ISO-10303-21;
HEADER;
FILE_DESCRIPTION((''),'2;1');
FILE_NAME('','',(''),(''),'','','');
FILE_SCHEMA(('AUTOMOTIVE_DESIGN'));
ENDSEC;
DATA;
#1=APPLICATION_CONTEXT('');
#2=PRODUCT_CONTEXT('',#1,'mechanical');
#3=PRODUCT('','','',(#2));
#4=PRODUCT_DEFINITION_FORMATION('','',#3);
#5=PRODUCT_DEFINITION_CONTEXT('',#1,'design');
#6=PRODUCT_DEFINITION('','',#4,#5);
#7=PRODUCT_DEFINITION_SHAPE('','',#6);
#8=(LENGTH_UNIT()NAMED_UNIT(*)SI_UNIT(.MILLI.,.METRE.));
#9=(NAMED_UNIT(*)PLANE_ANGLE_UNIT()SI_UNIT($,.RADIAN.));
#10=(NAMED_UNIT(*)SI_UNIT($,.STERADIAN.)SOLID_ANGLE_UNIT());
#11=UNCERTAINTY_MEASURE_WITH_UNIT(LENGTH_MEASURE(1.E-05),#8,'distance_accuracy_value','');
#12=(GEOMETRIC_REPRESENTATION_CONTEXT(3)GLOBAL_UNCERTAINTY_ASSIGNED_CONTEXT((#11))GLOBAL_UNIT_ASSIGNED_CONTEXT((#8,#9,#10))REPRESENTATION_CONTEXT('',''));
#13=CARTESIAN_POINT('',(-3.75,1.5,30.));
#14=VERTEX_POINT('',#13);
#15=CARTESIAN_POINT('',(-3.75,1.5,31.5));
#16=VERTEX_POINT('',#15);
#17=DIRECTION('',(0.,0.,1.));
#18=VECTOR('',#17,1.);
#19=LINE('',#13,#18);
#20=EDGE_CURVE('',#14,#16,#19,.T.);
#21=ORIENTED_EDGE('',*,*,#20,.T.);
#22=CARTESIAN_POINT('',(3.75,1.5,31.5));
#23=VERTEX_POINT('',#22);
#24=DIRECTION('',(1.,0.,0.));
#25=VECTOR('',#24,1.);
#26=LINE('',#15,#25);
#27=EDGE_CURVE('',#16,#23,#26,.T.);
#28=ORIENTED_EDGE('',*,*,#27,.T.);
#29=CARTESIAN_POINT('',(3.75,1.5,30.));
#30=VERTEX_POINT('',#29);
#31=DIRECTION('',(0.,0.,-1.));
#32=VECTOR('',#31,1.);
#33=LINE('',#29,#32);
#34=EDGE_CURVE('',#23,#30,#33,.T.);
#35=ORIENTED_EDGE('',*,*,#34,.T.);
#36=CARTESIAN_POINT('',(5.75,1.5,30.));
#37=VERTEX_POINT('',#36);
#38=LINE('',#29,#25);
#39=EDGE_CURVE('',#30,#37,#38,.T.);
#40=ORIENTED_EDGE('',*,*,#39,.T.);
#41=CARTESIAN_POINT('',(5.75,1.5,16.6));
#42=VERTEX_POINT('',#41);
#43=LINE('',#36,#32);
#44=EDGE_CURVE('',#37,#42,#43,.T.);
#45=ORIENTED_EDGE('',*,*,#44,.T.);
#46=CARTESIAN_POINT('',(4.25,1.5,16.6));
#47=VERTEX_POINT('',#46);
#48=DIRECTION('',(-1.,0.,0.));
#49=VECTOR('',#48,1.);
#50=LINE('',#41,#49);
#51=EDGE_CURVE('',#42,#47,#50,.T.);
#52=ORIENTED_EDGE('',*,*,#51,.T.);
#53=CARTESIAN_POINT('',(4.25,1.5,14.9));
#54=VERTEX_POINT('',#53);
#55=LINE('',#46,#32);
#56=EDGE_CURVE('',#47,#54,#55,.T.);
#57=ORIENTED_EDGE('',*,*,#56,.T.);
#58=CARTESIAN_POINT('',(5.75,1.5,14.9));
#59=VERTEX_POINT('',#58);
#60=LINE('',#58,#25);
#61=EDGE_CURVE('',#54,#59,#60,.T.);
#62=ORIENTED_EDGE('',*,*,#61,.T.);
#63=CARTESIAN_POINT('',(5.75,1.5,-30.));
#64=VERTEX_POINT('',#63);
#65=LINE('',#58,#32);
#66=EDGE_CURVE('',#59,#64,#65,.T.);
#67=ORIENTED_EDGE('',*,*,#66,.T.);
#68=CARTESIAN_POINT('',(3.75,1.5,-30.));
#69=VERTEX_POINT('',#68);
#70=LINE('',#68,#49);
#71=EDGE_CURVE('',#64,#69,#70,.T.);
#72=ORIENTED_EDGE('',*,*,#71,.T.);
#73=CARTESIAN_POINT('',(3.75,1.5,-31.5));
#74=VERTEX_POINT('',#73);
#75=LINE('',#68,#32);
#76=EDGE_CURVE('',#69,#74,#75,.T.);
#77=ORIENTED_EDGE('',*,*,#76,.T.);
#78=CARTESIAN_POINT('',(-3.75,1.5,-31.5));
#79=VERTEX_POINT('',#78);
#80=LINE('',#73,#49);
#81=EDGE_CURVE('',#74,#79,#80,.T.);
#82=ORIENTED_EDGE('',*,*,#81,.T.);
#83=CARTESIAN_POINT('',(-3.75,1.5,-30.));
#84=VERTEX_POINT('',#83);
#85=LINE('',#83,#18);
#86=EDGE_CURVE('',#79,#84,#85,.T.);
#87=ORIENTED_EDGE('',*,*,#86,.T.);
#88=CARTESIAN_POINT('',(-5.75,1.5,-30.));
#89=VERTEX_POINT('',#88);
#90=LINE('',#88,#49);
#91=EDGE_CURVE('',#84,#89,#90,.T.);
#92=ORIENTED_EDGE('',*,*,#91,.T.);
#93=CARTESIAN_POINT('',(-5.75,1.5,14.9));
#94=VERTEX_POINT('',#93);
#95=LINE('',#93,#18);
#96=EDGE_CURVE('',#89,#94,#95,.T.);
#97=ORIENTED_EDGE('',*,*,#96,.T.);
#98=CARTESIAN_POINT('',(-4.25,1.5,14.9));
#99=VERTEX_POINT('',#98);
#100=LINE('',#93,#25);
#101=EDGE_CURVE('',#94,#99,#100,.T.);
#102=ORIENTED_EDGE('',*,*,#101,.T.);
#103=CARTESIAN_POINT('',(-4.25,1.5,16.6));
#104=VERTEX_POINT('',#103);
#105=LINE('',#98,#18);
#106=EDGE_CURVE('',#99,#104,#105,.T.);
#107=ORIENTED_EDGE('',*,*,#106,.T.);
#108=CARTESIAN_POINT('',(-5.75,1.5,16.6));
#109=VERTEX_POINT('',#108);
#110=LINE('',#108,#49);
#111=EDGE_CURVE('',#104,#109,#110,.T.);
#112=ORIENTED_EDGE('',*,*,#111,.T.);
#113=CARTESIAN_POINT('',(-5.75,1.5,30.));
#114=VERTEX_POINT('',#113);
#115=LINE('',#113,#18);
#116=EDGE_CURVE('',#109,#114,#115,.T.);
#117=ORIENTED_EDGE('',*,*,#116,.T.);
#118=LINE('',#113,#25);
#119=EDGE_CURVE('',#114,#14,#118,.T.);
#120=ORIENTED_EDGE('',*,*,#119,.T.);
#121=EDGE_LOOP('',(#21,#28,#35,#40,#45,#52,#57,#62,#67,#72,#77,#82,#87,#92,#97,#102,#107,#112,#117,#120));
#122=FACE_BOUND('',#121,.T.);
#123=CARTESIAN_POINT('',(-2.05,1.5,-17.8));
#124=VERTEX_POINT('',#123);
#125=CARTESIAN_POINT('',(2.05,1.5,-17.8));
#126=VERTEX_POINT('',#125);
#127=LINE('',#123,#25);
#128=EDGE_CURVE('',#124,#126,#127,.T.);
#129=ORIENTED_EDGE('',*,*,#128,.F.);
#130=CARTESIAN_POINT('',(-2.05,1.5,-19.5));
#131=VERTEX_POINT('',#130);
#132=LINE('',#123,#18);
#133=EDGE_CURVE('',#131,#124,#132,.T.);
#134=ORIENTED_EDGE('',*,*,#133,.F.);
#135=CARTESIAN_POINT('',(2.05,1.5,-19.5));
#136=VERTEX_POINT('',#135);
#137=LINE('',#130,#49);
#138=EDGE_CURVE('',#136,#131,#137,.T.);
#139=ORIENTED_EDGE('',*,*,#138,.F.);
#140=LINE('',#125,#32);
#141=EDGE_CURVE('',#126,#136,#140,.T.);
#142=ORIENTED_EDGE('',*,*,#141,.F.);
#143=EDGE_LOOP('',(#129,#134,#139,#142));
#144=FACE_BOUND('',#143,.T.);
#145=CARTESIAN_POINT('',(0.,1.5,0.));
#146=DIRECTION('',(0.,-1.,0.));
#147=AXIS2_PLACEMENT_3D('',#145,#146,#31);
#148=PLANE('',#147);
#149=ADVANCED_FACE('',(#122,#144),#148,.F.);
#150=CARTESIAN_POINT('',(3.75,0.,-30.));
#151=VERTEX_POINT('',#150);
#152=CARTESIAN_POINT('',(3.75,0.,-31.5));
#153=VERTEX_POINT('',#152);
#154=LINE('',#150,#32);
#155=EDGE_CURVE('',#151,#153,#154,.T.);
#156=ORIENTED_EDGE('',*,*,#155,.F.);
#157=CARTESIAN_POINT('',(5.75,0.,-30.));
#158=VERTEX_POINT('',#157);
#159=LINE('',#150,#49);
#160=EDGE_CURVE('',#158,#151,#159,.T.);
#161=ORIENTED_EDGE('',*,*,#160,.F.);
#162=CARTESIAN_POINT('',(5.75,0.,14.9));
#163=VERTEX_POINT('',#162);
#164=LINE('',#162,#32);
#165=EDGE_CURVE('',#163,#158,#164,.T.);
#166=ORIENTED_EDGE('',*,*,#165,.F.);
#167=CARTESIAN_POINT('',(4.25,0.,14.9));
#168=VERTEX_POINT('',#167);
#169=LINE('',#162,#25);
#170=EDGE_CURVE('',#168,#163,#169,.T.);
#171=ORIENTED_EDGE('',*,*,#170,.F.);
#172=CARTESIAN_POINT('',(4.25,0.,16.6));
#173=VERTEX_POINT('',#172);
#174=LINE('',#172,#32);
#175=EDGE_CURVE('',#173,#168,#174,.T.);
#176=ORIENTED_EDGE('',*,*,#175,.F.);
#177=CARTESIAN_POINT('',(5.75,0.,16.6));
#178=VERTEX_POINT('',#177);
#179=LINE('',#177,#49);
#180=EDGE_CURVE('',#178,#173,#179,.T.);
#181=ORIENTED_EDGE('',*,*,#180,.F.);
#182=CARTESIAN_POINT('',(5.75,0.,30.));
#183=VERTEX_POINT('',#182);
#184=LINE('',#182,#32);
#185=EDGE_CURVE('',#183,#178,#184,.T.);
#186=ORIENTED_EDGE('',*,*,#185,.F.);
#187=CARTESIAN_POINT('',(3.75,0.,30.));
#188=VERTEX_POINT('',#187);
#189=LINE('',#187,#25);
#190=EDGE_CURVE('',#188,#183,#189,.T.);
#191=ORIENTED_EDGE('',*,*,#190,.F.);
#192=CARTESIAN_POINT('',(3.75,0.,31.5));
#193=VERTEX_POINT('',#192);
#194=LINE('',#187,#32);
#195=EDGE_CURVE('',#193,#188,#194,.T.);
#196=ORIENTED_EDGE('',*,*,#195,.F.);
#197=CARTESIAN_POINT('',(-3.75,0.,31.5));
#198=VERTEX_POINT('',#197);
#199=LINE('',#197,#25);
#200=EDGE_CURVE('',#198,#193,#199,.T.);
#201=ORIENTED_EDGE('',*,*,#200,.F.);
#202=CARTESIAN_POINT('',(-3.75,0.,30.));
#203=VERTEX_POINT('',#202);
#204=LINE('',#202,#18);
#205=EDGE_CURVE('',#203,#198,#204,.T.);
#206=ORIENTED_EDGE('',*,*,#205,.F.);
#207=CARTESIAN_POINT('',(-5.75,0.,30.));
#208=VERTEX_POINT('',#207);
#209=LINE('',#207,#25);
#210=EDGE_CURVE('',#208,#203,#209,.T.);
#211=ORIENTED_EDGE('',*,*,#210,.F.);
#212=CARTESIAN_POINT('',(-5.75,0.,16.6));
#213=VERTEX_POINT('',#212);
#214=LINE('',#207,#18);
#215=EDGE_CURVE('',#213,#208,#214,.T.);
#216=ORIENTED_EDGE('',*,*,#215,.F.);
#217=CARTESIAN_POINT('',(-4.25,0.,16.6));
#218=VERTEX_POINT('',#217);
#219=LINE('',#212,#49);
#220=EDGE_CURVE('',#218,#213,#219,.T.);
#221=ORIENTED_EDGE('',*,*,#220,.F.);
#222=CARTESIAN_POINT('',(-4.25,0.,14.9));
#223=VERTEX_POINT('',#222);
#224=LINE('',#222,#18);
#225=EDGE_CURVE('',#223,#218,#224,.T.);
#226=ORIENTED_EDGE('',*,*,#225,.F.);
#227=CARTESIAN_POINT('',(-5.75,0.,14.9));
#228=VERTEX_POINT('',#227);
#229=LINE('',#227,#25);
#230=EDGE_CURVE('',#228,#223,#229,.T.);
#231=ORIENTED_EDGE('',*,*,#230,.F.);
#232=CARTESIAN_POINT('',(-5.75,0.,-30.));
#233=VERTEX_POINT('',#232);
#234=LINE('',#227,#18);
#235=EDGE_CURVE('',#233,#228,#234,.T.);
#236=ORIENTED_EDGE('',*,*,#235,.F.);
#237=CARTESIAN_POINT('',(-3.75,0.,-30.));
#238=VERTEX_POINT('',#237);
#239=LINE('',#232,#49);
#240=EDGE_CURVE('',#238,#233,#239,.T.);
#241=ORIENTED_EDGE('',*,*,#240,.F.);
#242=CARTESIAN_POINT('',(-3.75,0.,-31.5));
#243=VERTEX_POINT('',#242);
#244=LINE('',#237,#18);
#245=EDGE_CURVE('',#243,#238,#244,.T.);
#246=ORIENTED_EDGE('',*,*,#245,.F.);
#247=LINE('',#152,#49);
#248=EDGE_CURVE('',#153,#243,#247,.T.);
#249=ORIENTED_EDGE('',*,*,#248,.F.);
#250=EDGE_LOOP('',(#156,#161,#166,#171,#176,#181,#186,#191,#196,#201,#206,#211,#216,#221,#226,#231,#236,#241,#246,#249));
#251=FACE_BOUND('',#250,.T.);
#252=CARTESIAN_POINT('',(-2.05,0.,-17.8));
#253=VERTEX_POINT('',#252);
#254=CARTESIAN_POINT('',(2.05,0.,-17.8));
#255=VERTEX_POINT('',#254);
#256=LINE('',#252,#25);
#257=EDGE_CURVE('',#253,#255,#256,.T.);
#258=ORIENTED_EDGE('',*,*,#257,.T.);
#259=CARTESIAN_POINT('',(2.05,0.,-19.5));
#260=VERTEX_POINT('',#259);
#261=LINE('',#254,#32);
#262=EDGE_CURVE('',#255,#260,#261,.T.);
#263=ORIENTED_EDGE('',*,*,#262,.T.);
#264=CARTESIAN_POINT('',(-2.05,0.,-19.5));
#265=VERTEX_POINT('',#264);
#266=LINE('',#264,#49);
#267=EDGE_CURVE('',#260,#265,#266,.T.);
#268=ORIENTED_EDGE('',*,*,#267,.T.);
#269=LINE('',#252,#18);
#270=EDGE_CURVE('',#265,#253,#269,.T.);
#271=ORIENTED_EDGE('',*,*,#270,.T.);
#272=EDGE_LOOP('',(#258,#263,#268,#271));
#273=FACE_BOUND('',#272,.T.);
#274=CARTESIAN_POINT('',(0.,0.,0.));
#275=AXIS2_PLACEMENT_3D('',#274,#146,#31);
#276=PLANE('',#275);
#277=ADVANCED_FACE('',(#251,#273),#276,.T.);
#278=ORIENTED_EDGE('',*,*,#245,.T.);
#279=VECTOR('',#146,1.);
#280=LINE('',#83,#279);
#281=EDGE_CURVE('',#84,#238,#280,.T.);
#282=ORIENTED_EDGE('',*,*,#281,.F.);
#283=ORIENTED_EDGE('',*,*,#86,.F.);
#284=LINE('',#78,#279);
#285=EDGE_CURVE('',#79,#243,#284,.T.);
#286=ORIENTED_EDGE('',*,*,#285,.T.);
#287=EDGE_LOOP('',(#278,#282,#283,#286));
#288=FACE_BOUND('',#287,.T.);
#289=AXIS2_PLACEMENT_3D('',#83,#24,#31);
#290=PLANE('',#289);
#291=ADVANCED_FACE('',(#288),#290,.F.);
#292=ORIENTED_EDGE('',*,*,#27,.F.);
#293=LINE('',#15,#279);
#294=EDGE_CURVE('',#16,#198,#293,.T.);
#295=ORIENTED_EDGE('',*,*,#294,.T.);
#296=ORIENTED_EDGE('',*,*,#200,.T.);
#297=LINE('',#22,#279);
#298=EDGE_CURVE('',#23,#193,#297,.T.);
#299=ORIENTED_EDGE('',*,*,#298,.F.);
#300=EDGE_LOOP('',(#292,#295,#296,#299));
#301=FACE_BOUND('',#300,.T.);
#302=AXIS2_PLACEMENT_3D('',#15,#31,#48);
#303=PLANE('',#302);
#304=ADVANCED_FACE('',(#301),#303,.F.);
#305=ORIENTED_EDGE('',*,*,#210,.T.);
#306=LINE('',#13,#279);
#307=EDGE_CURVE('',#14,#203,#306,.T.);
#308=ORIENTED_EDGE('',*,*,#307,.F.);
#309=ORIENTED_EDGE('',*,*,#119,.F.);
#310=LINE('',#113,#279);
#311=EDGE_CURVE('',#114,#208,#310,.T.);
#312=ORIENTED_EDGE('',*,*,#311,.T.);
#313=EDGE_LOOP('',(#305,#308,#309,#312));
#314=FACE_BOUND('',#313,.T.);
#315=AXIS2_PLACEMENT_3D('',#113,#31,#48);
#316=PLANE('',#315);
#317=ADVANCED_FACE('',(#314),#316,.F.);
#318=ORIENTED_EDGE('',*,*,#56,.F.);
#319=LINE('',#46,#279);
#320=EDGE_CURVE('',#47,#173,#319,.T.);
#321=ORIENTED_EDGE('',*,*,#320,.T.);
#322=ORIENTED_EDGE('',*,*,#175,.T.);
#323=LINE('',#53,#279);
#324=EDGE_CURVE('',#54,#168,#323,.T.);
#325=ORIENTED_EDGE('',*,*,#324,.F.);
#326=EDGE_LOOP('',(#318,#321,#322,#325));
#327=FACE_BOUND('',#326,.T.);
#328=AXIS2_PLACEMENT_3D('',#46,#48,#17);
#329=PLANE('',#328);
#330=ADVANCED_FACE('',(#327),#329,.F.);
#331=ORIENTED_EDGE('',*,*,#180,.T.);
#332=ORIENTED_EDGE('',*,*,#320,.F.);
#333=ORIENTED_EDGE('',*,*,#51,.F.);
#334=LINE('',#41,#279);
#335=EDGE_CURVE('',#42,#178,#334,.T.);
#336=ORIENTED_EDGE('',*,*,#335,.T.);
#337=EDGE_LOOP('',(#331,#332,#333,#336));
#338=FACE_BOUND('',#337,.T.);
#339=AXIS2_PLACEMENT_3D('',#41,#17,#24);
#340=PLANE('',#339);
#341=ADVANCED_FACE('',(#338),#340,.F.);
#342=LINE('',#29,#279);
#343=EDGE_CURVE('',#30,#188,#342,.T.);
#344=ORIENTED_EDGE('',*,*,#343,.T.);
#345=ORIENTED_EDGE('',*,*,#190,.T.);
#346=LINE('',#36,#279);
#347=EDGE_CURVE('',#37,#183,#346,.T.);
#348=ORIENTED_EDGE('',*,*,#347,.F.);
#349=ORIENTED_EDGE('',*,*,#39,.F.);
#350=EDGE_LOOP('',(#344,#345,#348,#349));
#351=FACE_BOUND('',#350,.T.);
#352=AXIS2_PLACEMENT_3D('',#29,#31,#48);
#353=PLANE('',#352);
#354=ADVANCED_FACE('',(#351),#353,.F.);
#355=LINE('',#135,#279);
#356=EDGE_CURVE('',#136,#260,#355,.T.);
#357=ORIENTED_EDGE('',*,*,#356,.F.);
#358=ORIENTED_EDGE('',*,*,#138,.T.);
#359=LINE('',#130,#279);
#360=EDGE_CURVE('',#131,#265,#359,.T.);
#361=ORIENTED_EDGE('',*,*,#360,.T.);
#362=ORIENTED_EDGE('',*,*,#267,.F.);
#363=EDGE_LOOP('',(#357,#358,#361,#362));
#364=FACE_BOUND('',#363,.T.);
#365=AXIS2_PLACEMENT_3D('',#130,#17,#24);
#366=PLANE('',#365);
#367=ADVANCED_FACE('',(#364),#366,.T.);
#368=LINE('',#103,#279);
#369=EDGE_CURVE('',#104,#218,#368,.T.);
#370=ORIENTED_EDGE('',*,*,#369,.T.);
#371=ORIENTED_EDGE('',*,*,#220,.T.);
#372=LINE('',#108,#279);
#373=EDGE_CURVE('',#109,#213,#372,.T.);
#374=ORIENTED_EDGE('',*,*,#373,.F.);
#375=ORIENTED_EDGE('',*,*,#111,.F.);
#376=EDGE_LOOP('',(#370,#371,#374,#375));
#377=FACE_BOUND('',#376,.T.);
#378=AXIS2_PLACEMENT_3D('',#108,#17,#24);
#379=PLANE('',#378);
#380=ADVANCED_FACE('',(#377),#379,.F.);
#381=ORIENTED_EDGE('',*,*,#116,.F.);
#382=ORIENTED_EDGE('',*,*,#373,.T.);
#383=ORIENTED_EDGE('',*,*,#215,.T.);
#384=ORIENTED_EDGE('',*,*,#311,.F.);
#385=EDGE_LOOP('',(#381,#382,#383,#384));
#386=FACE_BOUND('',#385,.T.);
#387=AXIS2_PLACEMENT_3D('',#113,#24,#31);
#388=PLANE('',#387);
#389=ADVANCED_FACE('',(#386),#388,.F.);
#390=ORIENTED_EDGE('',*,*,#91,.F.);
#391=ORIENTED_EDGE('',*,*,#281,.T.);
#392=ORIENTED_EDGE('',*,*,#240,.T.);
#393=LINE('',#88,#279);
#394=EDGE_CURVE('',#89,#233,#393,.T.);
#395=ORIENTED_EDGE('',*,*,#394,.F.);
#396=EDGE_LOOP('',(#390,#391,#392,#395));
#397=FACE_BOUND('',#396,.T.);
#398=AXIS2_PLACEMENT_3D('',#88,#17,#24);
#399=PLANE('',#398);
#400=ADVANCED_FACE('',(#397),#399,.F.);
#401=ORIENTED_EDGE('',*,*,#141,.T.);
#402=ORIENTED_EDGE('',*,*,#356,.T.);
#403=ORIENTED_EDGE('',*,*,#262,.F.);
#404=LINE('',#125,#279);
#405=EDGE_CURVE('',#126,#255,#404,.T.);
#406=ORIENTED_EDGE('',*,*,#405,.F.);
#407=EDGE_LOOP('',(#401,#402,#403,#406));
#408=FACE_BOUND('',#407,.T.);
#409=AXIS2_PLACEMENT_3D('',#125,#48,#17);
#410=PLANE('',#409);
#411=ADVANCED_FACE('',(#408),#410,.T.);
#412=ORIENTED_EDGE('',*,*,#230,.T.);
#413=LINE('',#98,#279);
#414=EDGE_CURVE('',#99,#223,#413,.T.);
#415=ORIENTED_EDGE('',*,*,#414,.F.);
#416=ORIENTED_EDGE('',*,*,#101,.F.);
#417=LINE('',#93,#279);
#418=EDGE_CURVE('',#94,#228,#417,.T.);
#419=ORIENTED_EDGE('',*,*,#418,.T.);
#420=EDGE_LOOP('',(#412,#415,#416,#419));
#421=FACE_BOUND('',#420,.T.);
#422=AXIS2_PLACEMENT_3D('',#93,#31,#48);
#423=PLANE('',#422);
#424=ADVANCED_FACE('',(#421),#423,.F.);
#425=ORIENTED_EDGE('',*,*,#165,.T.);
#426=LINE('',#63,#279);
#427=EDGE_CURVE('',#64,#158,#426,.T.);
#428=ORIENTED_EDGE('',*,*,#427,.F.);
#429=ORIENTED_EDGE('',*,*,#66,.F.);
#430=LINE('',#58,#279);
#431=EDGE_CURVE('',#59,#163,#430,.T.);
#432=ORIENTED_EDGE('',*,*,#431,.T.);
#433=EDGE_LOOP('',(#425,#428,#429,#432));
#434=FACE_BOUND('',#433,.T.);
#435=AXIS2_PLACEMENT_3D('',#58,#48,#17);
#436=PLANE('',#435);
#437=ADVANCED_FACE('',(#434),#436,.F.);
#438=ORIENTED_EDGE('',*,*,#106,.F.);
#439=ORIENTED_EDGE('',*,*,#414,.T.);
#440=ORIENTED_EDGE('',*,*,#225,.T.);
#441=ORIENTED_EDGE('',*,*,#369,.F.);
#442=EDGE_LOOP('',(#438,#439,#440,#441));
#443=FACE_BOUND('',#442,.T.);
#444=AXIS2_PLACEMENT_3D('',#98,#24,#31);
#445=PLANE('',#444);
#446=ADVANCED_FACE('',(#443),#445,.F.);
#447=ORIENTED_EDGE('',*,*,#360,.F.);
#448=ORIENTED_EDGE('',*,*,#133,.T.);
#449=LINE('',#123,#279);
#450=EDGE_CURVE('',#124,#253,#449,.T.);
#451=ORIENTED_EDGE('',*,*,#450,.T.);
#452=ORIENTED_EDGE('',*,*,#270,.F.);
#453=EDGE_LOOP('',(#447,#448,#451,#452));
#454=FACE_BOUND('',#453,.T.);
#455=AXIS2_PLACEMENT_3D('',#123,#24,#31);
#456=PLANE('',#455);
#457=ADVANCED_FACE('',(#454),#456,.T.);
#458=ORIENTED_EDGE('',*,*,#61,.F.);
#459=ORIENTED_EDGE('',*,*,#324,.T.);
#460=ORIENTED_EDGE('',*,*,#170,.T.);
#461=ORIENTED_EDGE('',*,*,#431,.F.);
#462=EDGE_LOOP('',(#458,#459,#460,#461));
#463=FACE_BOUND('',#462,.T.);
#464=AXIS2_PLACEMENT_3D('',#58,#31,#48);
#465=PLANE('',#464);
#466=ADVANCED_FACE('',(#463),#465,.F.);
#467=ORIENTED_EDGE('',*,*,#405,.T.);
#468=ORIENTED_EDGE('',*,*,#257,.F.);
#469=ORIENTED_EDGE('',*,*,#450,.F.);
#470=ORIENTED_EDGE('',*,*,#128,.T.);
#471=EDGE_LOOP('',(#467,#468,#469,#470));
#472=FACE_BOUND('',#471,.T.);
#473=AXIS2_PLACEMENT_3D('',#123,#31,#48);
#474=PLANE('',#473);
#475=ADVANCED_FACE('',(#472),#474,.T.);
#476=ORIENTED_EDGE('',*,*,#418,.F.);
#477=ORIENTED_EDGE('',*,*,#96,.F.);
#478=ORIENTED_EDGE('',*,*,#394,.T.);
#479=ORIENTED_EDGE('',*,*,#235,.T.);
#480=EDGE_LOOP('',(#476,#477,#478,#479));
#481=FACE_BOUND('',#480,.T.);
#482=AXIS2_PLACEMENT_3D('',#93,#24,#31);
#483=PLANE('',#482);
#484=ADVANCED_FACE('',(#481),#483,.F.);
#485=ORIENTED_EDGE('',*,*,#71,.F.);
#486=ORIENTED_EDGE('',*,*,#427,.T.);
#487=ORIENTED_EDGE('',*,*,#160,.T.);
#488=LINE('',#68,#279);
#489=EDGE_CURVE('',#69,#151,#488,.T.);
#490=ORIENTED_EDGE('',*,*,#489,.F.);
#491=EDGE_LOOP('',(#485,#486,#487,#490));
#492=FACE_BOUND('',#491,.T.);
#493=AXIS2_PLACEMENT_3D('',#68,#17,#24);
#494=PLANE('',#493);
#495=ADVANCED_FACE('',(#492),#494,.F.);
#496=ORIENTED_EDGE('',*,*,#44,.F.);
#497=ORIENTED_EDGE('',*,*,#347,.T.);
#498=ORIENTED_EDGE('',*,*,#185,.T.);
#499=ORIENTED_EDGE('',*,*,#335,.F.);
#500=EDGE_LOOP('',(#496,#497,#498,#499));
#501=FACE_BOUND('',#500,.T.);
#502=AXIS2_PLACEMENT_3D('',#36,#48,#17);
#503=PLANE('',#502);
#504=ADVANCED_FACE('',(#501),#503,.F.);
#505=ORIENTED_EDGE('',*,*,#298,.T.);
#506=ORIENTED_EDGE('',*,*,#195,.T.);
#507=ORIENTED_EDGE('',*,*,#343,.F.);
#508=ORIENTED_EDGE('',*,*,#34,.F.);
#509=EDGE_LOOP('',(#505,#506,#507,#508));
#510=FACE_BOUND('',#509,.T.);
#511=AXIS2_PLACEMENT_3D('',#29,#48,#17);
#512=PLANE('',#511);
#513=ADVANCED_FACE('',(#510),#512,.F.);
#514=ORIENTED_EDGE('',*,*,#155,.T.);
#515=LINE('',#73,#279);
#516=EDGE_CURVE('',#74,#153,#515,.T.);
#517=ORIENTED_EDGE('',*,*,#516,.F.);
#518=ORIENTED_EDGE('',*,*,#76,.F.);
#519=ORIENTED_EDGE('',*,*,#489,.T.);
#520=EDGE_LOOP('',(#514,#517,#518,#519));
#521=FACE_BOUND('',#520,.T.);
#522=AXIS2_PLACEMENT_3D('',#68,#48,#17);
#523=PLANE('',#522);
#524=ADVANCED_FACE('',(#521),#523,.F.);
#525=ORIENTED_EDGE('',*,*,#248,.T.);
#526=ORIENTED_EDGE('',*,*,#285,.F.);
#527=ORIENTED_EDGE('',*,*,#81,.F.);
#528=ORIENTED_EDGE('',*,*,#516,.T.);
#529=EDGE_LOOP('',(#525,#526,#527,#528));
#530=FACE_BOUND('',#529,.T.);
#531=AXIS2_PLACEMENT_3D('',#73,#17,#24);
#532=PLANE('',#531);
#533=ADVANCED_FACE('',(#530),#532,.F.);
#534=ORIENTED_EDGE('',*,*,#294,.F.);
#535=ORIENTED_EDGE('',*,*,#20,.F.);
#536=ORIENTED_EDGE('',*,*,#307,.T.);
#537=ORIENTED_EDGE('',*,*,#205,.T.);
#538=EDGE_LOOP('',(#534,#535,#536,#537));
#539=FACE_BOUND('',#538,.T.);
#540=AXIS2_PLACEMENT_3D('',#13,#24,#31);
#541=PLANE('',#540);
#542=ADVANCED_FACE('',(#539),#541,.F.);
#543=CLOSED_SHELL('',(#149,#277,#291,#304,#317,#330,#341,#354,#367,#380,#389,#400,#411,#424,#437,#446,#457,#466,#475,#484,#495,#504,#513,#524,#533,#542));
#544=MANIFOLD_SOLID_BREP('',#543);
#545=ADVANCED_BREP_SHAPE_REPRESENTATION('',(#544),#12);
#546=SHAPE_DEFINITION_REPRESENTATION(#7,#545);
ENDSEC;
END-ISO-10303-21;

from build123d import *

# Parameters (mm, degrees)
SKETCH1_W           = 4.1
SKETCH1_H           = 1.7
BOSS_EXTRUDE1_DEPTH = 1.5


with BuildPart() as part:
    # Sketch1 → Boss-Extrude1 (new body)
    with BuildSketch(Plane(origin=(0, 0, 0), x_dir=(1, 0, 0), z_dir=(0, 1, 0))):
        Polygon((3.75, 30), (5.75, 30), (5.75, -14.9), (4.25, -14.9), (4.25, -16.6), (5.75, -16.6), (5.75, -30), (3.75, -30), (3.75, -31.5), (-3.75, -31.5), (-3.75, -30), (-5.75, -30), (-5.75, -16.6), (-4.25, -16.6), (-4.25, -14.9), (-5.75, -14.9), (-5.75, 30), (-3.75, 30), (-3.75, 31.5), (3.75, 31.5), align=None)
        with Locations((0, 18.65)):
            Rectangle(SKETCH1_W, SKETCH1_H, mode=Mode.SUBTRACT)
    extrude(amount=BOSS_EXTRUDE1_DEPTH)


solid = part.part
